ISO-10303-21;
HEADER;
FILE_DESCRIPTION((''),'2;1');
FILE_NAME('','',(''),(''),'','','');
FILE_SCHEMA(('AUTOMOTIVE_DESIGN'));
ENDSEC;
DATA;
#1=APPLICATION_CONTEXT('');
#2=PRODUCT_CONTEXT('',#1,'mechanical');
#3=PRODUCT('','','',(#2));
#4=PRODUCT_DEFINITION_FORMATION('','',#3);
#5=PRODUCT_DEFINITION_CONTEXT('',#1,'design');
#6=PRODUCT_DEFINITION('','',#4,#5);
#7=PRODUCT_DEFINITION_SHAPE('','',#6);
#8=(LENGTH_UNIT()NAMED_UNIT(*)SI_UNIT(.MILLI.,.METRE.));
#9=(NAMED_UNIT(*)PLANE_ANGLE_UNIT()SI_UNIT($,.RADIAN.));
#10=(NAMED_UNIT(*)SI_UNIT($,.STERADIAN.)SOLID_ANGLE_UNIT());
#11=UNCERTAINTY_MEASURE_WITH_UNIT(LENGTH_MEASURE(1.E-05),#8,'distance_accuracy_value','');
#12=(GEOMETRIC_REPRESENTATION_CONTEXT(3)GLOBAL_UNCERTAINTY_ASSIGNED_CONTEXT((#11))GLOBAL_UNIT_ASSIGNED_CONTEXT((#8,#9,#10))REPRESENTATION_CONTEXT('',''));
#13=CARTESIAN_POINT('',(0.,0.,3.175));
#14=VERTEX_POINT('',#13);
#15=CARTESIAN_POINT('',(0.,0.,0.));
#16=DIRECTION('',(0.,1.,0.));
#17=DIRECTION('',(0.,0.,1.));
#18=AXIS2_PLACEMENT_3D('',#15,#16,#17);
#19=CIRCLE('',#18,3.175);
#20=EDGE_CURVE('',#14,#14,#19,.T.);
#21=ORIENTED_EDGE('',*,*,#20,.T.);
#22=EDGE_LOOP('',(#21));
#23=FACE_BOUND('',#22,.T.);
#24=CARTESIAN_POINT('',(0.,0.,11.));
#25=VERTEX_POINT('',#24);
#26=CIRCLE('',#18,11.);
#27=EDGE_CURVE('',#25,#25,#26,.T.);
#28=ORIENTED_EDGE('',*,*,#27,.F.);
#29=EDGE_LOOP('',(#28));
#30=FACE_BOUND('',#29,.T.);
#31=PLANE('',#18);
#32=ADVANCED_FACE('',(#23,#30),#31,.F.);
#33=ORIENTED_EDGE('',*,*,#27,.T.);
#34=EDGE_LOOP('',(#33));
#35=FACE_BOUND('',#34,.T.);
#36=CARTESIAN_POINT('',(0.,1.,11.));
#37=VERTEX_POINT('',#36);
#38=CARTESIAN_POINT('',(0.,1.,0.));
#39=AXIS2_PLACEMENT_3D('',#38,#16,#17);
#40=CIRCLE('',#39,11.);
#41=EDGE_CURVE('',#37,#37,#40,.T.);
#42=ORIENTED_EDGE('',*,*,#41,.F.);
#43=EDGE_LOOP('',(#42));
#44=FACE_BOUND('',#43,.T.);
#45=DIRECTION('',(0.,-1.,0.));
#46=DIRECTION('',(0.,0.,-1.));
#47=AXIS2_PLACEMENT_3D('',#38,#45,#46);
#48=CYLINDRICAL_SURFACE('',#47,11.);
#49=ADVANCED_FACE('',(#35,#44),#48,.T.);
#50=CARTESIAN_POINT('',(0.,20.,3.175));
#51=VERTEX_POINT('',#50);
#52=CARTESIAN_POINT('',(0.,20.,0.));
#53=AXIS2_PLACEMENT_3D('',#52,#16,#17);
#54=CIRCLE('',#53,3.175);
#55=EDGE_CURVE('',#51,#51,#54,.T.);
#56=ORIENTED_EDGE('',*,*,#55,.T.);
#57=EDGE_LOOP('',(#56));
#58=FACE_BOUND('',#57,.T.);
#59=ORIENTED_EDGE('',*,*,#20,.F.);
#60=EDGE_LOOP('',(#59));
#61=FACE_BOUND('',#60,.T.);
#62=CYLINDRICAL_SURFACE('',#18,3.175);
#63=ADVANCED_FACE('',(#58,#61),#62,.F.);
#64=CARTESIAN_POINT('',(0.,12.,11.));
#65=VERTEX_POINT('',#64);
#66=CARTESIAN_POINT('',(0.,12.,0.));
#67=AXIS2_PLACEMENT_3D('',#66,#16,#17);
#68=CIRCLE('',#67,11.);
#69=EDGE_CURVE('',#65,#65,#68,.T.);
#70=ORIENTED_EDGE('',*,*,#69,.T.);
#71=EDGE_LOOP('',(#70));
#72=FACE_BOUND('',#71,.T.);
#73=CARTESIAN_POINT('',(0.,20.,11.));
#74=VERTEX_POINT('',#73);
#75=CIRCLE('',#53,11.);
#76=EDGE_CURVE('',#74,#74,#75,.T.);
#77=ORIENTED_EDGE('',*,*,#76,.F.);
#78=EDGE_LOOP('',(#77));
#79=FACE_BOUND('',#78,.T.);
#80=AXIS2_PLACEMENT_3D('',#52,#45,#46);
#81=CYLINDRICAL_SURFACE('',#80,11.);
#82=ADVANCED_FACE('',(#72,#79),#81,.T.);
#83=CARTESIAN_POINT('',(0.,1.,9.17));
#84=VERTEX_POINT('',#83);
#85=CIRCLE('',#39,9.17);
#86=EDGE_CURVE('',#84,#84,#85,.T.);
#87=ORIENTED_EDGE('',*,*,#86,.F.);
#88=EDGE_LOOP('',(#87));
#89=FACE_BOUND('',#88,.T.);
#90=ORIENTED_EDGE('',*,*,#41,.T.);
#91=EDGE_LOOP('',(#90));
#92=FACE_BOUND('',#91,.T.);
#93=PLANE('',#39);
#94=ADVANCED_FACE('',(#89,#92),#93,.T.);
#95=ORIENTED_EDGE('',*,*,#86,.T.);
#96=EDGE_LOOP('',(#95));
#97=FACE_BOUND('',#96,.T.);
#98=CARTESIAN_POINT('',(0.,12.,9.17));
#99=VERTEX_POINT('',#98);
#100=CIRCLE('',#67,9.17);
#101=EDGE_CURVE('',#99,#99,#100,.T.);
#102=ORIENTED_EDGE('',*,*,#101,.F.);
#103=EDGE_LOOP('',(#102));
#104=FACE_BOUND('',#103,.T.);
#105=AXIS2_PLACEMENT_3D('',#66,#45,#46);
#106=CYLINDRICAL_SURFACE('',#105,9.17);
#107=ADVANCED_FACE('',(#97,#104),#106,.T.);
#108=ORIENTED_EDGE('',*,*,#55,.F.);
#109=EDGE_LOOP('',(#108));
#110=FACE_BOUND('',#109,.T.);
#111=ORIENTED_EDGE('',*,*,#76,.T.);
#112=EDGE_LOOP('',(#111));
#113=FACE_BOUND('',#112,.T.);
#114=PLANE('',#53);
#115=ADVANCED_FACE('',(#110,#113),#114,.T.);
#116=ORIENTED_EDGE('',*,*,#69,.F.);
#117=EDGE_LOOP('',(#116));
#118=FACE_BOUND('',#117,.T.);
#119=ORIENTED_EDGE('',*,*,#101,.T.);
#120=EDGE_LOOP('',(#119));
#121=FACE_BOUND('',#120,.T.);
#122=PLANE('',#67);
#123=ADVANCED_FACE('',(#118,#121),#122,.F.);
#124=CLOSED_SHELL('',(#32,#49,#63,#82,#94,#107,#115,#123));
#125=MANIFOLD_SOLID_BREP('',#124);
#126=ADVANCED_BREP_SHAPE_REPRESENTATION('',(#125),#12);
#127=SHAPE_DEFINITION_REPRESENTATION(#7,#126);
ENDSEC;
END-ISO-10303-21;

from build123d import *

# Parameters (mm, degrees)
SKETCH_1_R          = 11
EXTRUDE_1_DEPTH     = 1
SKETCH_2_R          = 9.17
EXTRUDE_2_DEPTH     = 11
SKETCH_3_R          = 11
EXTRUDE_3_DEPTH     = 8
SKETCH_4_R          = 3.175
CUT_EXTRUDE_1_DEPTH = 26.337718919


with BuildPart() as part:
    # Эскиз1 → Бобышка-Вытянуть1 (new body)
    with BuildSketch(Plane(origin=(0, 0, 0), x_dir=(1, 0, 0), z_dir=(0, 1, 0))):
        with Locations(Location((0, 0, 0), (0, 0, 270))):
            Circle(SKETCH_1_R)
    extrude(amount=EXTRUDE_1_DEPTH)

    # Эскиз2 → Бобышка-Вытянуть2 (add)
    with BuildSketch(Plane(origin=(0, 1, 0), x_dir=(1, 0, 0), z_dir=(0, 1, 0))):
        with Locations(Location((0, 0, 0), (0, 0, 270))):
            Circle(SKETCH_2_R)
    extrude(amount=EXTRUDE_2_DEPTH)

    # Эскиз3 → Бобышка-Вытянуть3 (add)
    with BuildSketch(Plane(origin=(0, 12, 0), x_dir=(1, 0, 0), z_dir=(0, 1, 0))):
        with Locations(Location((0, 0, 0), (0, 0, 270))):
            Circle(SKETCH_3_R)
    extrude(amount=EXTRUDE_3_DEPTH)

    # Эскиз4 → Вырез-Вытянуть1 (cut, through all)
    with BuildSketch(Plane(origin=(0, 20, 0), x_dir=(1, 0, 0), z_dir=(0, 1, 0))):
        with Locations(Location((0, 0, 0), (0, 0, 270))):
            Circle(SKETCH_4_R)
    extrude(amount=-CUT_EXTRUDE_1_DEPTH, mode=Mode.SUBTRACT)


solid = part.part
